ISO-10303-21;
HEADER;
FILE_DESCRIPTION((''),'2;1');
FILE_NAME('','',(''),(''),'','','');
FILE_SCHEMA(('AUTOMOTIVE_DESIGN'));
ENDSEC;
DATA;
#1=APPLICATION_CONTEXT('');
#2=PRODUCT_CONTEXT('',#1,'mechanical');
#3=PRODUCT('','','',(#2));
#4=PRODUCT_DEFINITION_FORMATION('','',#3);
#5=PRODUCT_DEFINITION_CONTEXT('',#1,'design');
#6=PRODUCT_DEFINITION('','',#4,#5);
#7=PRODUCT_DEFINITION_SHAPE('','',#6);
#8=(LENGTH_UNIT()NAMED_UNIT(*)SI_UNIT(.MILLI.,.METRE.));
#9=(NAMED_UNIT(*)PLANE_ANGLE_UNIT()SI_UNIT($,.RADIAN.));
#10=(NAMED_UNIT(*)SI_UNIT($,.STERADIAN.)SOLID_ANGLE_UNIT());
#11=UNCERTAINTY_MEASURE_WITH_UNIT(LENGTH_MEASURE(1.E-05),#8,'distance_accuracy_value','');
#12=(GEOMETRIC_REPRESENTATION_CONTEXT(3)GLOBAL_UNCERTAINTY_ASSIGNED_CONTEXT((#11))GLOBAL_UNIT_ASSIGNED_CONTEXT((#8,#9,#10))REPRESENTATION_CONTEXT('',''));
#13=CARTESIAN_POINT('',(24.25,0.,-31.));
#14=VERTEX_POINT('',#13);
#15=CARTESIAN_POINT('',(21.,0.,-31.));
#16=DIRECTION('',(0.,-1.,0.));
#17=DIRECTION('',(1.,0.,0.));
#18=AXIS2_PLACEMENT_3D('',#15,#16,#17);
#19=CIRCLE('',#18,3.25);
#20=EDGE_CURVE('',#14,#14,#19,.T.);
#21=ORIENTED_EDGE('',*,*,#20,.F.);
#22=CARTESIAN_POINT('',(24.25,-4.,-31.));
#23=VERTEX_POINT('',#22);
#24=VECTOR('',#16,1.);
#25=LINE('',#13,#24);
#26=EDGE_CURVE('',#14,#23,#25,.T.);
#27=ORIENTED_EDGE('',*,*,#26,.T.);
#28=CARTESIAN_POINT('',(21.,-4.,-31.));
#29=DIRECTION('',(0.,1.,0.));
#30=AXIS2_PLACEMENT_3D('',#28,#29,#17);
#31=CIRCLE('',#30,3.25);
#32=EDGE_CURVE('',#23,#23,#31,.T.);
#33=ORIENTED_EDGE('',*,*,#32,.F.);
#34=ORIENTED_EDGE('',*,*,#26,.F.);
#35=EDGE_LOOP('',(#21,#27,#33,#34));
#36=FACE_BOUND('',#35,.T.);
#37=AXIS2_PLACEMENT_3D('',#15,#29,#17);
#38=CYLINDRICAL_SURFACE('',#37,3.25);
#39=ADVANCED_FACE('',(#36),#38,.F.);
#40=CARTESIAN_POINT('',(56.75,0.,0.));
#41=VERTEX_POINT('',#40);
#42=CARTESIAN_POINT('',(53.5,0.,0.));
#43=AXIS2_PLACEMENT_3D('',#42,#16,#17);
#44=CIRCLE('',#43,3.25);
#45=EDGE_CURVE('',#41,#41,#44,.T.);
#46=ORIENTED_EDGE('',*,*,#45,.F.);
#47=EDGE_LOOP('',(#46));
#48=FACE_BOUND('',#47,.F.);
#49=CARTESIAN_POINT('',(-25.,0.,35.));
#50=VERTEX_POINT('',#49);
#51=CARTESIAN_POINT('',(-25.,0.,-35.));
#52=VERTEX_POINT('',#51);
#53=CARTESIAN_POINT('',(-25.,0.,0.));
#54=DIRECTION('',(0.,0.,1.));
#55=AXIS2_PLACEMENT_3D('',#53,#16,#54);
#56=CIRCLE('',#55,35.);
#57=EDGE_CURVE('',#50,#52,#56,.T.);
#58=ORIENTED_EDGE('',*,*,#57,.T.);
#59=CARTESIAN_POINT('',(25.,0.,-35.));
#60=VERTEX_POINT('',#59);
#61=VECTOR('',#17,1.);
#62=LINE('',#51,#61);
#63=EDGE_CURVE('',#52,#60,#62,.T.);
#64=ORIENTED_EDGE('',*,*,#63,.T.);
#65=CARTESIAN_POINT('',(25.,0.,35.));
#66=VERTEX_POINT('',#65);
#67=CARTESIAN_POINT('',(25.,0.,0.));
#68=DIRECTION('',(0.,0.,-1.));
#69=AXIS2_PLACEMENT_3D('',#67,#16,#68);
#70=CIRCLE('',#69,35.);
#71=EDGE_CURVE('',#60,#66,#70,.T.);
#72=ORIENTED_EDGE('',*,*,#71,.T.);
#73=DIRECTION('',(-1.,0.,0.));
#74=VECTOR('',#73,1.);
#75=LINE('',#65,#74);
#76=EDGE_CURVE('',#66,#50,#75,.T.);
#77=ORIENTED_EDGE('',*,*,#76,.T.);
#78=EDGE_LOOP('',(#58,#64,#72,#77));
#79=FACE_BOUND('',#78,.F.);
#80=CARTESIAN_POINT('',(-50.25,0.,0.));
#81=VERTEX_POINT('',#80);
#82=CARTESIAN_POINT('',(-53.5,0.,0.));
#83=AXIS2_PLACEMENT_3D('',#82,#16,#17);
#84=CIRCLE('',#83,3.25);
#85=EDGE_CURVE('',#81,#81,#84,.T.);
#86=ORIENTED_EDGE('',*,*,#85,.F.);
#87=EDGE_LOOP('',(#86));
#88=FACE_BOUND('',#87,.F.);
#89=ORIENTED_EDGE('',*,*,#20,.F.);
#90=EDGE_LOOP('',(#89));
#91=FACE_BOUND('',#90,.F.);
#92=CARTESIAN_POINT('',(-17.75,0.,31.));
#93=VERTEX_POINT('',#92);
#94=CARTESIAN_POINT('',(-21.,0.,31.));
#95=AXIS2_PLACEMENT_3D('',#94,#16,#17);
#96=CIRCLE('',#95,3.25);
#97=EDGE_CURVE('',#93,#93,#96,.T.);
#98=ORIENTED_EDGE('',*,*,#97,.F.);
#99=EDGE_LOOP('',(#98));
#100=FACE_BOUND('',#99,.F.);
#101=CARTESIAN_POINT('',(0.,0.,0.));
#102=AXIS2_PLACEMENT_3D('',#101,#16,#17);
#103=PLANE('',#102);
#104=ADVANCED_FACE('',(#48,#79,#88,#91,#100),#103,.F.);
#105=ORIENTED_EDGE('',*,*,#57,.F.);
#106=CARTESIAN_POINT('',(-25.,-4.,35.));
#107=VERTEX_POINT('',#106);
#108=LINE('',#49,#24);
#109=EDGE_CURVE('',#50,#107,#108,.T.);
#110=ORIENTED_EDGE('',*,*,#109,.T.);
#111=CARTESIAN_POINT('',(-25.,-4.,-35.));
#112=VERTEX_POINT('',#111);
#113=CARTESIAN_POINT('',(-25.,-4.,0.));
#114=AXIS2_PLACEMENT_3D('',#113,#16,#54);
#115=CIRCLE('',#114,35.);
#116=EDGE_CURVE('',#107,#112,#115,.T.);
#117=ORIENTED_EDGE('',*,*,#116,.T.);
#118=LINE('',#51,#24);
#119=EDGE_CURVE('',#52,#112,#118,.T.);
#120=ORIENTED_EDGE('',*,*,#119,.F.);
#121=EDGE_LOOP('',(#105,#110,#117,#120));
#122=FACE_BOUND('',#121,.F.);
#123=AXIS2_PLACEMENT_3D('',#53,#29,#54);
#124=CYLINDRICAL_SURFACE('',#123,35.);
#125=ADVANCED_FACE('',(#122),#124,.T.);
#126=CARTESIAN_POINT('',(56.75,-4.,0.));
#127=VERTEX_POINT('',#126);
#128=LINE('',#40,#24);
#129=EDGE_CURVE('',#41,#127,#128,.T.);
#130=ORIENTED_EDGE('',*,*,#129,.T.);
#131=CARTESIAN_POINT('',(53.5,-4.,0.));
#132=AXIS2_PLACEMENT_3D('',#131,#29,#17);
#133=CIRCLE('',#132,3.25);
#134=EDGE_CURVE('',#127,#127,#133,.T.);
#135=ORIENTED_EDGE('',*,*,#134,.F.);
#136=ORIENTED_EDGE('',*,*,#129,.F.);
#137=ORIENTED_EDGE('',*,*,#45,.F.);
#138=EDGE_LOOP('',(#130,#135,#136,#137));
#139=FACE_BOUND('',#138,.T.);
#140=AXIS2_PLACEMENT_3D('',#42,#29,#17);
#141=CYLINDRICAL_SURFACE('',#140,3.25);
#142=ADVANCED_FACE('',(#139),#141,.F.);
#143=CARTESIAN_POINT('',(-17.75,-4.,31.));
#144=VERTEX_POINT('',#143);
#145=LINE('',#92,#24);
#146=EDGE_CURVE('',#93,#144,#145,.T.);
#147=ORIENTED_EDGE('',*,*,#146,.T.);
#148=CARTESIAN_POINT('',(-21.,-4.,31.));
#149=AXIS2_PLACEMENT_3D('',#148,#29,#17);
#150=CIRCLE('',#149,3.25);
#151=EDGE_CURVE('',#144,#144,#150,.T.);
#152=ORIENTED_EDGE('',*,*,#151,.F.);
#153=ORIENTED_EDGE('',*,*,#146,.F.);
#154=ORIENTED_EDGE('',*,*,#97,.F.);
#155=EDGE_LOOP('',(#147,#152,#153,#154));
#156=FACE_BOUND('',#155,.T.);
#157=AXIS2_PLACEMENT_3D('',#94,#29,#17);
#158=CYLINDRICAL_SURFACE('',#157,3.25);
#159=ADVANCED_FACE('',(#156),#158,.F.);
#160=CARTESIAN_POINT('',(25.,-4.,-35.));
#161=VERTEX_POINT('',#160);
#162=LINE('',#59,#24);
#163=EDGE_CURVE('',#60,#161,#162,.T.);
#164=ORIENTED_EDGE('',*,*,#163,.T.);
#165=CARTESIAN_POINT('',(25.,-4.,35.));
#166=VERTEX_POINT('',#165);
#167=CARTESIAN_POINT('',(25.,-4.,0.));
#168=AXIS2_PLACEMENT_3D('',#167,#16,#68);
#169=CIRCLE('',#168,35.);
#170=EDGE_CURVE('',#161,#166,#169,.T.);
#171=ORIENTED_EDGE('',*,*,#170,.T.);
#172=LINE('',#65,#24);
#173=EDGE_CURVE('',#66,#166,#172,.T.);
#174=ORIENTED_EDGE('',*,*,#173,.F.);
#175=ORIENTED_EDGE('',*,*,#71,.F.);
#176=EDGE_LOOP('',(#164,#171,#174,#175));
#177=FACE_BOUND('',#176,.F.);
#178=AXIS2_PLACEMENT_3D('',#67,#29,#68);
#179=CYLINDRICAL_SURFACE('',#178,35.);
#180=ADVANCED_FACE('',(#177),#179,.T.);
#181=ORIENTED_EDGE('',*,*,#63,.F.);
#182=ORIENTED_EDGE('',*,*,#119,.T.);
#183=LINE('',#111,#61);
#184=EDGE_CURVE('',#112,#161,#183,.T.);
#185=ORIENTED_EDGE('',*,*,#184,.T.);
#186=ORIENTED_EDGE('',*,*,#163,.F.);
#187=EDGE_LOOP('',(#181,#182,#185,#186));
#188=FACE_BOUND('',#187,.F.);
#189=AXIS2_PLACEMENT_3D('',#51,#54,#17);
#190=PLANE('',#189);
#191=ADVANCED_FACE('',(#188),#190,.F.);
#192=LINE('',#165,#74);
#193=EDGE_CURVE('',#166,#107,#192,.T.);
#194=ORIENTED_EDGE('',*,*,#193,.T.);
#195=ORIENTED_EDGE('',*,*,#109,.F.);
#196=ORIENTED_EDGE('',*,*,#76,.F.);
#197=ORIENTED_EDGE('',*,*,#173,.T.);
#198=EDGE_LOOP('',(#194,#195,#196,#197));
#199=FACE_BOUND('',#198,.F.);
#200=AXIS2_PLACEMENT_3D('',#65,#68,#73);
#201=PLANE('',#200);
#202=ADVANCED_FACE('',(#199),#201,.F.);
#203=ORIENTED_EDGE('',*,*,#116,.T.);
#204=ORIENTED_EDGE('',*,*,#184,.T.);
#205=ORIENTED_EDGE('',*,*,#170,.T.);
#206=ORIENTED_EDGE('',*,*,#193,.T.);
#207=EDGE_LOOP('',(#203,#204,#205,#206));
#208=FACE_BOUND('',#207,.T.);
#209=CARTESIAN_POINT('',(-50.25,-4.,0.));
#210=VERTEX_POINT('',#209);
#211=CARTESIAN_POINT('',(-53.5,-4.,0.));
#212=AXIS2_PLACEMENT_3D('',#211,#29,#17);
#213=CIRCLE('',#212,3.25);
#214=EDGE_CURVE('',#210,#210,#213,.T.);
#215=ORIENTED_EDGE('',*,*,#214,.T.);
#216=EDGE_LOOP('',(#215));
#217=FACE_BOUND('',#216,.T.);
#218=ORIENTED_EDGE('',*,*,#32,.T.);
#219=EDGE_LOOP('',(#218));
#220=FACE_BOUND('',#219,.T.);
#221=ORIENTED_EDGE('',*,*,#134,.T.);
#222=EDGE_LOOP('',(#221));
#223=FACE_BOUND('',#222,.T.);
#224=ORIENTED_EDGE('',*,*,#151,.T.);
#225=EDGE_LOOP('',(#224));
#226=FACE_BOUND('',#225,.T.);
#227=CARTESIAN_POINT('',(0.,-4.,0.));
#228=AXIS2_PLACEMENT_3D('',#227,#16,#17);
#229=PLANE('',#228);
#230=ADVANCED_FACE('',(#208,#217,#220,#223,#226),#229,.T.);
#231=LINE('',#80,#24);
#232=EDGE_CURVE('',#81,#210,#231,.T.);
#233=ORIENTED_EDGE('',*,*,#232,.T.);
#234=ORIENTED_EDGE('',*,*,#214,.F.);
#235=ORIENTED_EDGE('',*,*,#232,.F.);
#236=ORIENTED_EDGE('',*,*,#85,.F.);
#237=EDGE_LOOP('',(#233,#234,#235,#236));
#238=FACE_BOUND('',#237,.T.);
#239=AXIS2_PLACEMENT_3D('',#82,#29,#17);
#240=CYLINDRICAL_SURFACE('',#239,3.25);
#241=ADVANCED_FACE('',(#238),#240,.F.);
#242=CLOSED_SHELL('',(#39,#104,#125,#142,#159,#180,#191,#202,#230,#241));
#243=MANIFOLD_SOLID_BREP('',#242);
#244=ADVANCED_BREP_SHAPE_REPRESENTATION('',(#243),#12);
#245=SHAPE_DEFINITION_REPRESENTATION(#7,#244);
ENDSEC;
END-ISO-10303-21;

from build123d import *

# Parameters (mm, degrees)
F1_DEPTH = 4
F2_R     = 3.25
F3_DEPTH = 4.001


with BuildPart() as f1:
    # F0 (on Front) → F1 (new body)
    with BuildSketch(Plane.XZ):
        with BuildLine():
            Line((25, 35), (-25, 35))
            ThreePointArc((-25, 35), (-60, 0), (-25, -35))
            Line((-25, -35), (25, -35))
            ThreePointArc((25, -35), (60, 0), (25, 35))
        make_face()
    extrude(amount=F1_DEPTH)

    # F2 (on Front) → F3 (cut, through all)
    with BuildSketch(Plane.XZ):
        with Locations((-21, 31)):
            Circle(F2_R)
        with Locations((21, -31)):
            Circle(F2_R)
        with Locations((53.5, 0)):
            Circle(F2_R)
        with Locations((-53.5, 0)):
            Circle(F2_R)
    extrude(amount=F3_DEPTH, mode=Mode.SUBTRACT)


solid = f1.part
